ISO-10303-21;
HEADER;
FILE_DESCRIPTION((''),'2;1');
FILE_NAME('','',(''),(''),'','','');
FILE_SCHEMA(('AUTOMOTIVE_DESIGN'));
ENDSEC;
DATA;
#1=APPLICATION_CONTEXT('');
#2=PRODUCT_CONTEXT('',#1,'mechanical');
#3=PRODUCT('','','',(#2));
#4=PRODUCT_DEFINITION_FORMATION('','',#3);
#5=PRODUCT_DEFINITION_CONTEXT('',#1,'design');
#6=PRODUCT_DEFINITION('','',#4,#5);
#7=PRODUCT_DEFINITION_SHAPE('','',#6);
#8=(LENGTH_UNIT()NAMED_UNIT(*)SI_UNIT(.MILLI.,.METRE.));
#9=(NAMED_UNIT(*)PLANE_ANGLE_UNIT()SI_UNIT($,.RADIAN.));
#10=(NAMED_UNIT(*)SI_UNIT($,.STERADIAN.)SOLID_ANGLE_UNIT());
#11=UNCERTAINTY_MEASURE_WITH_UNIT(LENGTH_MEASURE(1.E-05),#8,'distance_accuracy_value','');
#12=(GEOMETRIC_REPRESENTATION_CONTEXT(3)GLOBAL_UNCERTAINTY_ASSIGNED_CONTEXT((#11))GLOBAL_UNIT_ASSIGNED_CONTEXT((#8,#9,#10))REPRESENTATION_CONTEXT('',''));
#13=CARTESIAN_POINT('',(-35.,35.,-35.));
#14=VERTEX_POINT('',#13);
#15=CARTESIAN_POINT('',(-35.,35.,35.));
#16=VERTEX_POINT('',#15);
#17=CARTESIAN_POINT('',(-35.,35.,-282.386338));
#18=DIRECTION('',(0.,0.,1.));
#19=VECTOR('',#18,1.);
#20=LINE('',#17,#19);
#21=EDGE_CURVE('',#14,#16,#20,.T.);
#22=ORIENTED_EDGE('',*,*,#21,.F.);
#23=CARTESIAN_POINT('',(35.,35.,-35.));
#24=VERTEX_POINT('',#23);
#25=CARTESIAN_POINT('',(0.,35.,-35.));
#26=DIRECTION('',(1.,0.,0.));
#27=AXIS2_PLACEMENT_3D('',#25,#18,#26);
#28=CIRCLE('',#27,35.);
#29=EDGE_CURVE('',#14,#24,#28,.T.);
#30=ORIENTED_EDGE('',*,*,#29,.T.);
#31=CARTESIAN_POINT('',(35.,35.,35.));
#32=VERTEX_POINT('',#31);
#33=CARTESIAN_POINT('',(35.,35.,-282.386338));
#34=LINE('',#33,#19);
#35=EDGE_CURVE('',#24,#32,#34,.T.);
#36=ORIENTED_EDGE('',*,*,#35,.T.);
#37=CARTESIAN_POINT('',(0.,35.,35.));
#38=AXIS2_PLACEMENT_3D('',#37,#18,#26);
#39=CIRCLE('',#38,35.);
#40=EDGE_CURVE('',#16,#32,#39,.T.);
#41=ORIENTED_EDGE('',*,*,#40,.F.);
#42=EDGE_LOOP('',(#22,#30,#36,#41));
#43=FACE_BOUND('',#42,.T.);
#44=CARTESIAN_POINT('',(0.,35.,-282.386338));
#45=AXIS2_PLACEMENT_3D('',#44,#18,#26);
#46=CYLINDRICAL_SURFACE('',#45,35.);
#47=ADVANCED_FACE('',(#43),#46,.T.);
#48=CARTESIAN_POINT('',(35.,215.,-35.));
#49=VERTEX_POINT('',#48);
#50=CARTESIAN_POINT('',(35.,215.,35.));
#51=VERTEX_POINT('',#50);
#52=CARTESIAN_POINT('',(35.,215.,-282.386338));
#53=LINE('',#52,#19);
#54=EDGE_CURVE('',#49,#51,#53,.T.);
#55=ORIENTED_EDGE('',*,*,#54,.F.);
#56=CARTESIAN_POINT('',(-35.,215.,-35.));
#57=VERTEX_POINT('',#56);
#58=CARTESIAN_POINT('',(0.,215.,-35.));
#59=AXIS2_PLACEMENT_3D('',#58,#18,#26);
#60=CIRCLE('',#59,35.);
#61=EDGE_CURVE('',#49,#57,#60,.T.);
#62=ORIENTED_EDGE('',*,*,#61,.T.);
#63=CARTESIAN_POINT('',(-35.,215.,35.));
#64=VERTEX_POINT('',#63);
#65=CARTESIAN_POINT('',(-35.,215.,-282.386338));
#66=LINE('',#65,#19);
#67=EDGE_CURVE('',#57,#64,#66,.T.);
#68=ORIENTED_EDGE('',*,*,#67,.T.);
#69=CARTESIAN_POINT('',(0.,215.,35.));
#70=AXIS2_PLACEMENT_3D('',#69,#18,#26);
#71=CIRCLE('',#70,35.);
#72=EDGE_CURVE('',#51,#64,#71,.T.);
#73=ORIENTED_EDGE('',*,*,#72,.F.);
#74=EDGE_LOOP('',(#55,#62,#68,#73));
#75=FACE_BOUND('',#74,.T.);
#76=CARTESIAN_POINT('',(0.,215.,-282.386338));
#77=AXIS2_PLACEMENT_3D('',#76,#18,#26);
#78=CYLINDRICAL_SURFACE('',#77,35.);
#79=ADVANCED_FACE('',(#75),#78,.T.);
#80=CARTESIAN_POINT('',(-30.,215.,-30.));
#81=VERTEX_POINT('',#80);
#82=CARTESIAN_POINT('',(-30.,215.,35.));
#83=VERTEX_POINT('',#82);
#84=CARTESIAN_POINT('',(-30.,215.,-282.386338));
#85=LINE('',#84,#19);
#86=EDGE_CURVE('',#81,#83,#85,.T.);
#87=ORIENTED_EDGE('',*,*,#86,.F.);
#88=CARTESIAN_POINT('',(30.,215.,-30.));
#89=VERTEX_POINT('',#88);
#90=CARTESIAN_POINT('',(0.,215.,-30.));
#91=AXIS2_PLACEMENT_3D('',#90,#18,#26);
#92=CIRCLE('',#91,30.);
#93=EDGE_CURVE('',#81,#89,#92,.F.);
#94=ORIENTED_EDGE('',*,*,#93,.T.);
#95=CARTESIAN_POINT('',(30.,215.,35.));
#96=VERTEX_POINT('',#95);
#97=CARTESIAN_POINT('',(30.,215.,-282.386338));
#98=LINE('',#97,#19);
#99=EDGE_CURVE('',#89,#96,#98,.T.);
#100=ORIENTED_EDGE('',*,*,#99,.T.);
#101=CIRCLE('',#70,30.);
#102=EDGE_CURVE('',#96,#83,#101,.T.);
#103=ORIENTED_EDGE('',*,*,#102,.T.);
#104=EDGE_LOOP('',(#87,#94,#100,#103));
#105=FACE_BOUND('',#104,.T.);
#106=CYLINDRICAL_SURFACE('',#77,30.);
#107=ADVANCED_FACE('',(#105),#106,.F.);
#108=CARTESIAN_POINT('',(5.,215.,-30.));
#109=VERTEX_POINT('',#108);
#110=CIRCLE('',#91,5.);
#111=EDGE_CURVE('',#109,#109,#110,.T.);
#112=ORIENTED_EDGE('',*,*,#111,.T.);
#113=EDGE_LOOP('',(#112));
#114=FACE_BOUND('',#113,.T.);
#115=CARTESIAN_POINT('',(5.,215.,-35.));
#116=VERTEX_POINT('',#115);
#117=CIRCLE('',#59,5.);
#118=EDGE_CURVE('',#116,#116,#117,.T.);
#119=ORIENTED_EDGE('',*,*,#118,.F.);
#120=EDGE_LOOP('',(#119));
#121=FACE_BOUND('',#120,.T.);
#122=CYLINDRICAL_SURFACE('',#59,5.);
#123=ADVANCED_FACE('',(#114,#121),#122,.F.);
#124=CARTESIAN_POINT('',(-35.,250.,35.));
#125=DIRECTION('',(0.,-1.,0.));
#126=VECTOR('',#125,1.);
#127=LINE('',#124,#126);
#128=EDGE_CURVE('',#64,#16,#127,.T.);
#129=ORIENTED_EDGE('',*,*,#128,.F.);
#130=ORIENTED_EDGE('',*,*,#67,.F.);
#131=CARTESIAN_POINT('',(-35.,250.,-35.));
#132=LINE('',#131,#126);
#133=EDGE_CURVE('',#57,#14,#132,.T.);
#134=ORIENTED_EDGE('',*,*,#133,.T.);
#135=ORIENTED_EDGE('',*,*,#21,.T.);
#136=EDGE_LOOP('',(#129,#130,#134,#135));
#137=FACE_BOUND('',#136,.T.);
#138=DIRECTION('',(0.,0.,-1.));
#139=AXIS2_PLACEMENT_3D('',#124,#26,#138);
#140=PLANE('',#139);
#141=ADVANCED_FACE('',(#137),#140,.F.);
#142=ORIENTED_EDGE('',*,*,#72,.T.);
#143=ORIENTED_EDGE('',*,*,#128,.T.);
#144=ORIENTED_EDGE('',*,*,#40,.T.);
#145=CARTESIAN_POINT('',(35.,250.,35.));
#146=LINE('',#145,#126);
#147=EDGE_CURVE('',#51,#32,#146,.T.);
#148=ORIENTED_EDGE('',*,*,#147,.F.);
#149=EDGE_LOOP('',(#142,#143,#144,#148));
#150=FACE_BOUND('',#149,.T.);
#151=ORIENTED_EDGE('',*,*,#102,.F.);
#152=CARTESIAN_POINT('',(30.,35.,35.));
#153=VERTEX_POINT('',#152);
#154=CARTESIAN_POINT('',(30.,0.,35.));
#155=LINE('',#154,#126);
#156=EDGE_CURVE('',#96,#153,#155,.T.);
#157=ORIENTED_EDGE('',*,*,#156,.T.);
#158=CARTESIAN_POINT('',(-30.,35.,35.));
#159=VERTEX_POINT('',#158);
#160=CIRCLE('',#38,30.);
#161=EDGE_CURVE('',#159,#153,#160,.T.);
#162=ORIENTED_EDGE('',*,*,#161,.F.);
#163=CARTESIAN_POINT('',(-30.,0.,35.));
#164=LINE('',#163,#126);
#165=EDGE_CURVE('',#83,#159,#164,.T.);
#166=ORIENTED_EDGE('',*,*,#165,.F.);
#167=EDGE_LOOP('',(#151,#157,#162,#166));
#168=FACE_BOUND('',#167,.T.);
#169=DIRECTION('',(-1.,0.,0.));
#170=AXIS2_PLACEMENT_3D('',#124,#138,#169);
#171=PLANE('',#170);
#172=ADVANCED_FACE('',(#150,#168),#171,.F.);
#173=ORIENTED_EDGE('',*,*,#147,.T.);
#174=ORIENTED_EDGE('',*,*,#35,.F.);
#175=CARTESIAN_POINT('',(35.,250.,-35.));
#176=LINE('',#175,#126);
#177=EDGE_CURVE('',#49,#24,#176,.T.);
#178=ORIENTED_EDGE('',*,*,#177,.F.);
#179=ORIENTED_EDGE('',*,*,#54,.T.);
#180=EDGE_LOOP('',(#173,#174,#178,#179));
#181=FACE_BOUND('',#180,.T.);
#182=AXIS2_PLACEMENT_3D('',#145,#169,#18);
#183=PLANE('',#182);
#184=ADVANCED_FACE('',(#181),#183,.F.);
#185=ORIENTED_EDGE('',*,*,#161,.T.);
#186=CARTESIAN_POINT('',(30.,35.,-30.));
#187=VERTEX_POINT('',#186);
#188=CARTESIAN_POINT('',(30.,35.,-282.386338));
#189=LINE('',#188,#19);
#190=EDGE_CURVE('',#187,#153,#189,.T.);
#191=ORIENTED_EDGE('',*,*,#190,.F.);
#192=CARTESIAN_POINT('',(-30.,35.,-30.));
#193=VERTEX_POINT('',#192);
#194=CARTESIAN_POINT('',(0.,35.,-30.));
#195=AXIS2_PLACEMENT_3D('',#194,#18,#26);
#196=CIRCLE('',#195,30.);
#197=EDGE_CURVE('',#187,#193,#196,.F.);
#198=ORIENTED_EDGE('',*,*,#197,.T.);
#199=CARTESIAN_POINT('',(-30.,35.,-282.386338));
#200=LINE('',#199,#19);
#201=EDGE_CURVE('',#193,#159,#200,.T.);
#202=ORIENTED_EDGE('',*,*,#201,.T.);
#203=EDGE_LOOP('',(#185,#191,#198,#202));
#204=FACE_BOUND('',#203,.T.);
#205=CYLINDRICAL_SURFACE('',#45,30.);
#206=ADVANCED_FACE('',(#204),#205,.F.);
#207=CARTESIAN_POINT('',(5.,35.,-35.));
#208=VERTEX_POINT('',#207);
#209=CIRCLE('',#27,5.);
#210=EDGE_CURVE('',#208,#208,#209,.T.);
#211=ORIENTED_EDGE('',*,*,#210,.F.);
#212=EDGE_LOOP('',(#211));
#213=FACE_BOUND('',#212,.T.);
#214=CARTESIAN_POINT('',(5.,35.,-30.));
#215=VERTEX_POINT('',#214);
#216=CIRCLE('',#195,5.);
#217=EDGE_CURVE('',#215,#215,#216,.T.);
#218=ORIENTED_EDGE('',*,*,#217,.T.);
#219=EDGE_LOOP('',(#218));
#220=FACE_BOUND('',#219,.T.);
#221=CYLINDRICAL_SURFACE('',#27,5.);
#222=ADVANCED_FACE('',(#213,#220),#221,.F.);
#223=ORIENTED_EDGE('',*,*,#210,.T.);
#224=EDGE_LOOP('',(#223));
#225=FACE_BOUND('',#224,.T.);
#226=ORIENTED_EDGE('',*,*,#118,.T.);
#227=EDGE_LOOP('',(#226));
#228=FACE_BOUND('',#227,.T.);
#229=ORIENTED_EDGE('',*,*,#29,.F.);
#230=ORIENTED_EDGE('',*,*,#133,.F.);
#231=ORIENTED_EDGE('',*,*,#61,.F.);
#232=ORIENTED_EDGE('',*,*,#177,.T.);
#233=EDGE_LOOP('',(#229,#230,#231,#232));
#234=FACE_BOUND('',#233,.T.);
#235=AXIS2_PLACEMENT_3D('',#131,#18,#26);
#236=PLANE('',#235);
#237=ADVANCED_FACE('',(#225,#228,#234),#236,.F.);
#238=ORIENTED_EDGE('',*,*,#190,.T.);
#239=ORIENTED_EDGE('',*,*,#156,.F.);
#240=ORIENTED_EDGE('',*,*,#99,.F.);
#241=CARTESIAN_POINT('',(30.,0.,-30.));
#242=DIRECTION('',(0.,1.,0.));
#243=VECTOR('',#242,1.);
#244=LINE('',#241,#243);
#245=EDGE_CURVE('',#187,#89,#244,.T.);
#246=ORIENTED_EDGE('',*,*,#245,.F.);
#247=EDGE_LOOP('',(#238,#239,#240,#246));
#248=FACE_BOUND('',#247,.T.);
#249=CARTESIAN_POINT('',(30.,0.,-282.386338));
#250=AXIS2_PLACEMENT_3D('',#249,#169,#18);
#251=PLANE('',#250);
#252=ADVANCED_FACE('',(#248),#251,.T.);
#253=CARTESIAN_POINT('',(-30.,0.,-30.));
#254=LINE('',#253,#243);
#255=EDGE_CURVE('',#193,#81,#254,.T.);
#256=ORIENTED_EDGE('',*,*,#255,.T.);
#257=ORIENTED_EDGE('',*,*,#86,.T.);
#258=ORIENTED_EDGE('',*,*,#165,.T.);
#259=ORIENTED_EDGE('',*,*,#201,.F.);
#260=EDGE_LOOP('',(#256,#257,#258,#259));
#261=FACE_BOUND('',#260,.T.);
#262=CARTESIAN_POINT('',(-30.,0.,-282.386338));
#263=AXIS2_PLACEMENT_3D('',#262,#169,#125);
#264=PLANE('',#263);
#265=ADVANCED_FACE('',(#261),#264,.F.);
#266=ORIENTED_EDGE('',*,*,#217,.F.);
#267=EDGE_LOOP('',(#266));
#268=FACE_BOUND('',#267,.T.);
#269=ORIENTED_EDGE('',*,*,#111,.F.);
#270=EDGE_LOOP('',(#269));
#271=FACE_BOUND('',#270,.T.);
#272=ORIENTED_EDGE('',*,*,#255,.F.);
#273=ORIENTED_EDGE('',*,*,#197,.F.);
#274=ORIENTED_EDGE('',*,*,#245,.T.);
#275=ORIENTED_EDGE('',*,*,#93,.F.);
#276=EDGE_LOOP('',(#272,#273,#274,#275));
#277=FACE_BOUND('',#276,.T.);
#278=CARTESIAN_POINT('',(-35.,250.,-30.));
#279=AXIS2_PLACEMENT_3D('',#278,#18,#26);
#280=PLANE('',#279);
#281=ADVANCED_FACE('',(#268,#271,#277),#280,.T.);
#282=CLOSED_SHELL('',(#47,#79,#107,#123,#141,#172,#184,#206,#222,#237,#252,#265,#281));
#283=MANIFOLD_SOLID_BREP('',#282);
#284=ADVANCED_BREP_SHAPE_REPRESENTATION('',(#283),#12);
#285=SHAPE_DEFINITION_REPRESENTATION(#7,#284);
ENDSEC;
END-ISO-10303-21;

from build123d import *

# Parameters (mm, degrees)
SKETCH1_W           = 70
SKETCH1_H           = 70
BOSS_EXTRUDE1_DEPTH = 250
SKETCH2_R           = 30
CUT_EXTRUDE2_DEPTH  = 65
SKETCH4_R           = 5
CUT_EXTRUDE3_DEPTH  = 261.672207955


with BuildPart() as part:
    # Sketch1 → Boss-Extrude1 (new body)
    with BuildSketch(Plane(origin=(0, 0, 0), x_dir=(1, 0, 0), z_dir=(0, 1, 0))):
        Rectangle(SKETCH1_W, SKETCH1_H)
    extrude(amount=BOSS_EXTRUDE1_DEPTH)

    # Sketch2 → Cut-Extrude2 (cut)
    with BuildSketch(Plane.XY.offset(35)):
        with BuildLine():
            Line((-35, 250), (-35, 215))
            ThreePointArc((-35, 215), (-24.748737311, 239.748737372), (8.5e-08, 250))
            Line((8.5e-08, 250), (-35, 250))
        make_face()
        with BuildLine():
            Line((35, 250), (8.5e-08, 250))
            ThreePointArc((8.5e-08, 250), (24.748737372, 239.748737311), (35, 215))
            Line((35, 215), (35, 250))
        make_face()
        with BuildLine():
            ThreePointArc((1.6e-08, 0), (-24.748737336, 10.251262653), (-35, 35))
            Line((-35, 35), (-35, 0))
            Line((-35, 0), (1.6e-08, 0))
        make_face()
        with BuildLine():
            ThreePointArc((35, 35), (24.748737347, 10.251262664), (1.6e-08, 0))
            Line((1.6e-08, 0), (35, 0))
            Line((35, 0), (35, 35))
        make_face()
        with BuildLine():
            ThreePointArc((30, 215), (0, 185), (-30, 215))
            Line((-30, 215), (-30, 35))
            ThreePointArc((-30, 35), (0, 65), (30, 35))
            Line((30, 35), (30, 215))
        make_face()
        with Locations((0, 215)):
            Circle(SKETCH2_R)
        with Locations((0, 35)):
            Circle(SKETCH2_R)
    extrude(amount=-CUT_EXTRUDE2_DEPTH, mode=Mode.SUBTRACT)

    # Sketch4 → Cut-Extrude3 (cut, through all)
    with BuildSketch(Plane.XY.offset(-30)):
        with BuildLine():
            ThreePointArc((1.9e-08, 0), (-24.748737335, 10.251262652), (-35, 35))
            Line((-35, 35), (-35, 0))
            Line((-35, 0), (1.9e-08, 0))
        make_face()
        with BuildLine():
            Line((35, 0), (35, 35))
            ThreePointArc((35, 35), (24.748737348, 10.251262665), (1.9e-08, 0))
            Line((1.9e-08, 0), (35, 0))
        make_face()
        with BuildLine():
            Line((-35, 250), (-35, 215))
            ThreePointArc((-35, 215), (-24.748737474, 239.748737209), (-3.75e-07, 250))
            Line((-3.75e-07, 250), (-35, 250))
        make_face()
        with BuildLine():
            ThreePointArc((-3.75e-07, 250), (24.748737209, 239.748737474), (35, 215))
            Line((35, 215), (35, 250))
            Line((35, 250), (-3.75e-07, 250))
        make_face()
        with Locations((0, 215)):
            Circle(SKETCH4_R)
        with Locations((0, 35)):
            Circle(SKETCH4_R)
    extrude(amount=-CUT_EXTRUDE3_DEPTH, mode=Mode.SUBTRACT)


solid = part.part
